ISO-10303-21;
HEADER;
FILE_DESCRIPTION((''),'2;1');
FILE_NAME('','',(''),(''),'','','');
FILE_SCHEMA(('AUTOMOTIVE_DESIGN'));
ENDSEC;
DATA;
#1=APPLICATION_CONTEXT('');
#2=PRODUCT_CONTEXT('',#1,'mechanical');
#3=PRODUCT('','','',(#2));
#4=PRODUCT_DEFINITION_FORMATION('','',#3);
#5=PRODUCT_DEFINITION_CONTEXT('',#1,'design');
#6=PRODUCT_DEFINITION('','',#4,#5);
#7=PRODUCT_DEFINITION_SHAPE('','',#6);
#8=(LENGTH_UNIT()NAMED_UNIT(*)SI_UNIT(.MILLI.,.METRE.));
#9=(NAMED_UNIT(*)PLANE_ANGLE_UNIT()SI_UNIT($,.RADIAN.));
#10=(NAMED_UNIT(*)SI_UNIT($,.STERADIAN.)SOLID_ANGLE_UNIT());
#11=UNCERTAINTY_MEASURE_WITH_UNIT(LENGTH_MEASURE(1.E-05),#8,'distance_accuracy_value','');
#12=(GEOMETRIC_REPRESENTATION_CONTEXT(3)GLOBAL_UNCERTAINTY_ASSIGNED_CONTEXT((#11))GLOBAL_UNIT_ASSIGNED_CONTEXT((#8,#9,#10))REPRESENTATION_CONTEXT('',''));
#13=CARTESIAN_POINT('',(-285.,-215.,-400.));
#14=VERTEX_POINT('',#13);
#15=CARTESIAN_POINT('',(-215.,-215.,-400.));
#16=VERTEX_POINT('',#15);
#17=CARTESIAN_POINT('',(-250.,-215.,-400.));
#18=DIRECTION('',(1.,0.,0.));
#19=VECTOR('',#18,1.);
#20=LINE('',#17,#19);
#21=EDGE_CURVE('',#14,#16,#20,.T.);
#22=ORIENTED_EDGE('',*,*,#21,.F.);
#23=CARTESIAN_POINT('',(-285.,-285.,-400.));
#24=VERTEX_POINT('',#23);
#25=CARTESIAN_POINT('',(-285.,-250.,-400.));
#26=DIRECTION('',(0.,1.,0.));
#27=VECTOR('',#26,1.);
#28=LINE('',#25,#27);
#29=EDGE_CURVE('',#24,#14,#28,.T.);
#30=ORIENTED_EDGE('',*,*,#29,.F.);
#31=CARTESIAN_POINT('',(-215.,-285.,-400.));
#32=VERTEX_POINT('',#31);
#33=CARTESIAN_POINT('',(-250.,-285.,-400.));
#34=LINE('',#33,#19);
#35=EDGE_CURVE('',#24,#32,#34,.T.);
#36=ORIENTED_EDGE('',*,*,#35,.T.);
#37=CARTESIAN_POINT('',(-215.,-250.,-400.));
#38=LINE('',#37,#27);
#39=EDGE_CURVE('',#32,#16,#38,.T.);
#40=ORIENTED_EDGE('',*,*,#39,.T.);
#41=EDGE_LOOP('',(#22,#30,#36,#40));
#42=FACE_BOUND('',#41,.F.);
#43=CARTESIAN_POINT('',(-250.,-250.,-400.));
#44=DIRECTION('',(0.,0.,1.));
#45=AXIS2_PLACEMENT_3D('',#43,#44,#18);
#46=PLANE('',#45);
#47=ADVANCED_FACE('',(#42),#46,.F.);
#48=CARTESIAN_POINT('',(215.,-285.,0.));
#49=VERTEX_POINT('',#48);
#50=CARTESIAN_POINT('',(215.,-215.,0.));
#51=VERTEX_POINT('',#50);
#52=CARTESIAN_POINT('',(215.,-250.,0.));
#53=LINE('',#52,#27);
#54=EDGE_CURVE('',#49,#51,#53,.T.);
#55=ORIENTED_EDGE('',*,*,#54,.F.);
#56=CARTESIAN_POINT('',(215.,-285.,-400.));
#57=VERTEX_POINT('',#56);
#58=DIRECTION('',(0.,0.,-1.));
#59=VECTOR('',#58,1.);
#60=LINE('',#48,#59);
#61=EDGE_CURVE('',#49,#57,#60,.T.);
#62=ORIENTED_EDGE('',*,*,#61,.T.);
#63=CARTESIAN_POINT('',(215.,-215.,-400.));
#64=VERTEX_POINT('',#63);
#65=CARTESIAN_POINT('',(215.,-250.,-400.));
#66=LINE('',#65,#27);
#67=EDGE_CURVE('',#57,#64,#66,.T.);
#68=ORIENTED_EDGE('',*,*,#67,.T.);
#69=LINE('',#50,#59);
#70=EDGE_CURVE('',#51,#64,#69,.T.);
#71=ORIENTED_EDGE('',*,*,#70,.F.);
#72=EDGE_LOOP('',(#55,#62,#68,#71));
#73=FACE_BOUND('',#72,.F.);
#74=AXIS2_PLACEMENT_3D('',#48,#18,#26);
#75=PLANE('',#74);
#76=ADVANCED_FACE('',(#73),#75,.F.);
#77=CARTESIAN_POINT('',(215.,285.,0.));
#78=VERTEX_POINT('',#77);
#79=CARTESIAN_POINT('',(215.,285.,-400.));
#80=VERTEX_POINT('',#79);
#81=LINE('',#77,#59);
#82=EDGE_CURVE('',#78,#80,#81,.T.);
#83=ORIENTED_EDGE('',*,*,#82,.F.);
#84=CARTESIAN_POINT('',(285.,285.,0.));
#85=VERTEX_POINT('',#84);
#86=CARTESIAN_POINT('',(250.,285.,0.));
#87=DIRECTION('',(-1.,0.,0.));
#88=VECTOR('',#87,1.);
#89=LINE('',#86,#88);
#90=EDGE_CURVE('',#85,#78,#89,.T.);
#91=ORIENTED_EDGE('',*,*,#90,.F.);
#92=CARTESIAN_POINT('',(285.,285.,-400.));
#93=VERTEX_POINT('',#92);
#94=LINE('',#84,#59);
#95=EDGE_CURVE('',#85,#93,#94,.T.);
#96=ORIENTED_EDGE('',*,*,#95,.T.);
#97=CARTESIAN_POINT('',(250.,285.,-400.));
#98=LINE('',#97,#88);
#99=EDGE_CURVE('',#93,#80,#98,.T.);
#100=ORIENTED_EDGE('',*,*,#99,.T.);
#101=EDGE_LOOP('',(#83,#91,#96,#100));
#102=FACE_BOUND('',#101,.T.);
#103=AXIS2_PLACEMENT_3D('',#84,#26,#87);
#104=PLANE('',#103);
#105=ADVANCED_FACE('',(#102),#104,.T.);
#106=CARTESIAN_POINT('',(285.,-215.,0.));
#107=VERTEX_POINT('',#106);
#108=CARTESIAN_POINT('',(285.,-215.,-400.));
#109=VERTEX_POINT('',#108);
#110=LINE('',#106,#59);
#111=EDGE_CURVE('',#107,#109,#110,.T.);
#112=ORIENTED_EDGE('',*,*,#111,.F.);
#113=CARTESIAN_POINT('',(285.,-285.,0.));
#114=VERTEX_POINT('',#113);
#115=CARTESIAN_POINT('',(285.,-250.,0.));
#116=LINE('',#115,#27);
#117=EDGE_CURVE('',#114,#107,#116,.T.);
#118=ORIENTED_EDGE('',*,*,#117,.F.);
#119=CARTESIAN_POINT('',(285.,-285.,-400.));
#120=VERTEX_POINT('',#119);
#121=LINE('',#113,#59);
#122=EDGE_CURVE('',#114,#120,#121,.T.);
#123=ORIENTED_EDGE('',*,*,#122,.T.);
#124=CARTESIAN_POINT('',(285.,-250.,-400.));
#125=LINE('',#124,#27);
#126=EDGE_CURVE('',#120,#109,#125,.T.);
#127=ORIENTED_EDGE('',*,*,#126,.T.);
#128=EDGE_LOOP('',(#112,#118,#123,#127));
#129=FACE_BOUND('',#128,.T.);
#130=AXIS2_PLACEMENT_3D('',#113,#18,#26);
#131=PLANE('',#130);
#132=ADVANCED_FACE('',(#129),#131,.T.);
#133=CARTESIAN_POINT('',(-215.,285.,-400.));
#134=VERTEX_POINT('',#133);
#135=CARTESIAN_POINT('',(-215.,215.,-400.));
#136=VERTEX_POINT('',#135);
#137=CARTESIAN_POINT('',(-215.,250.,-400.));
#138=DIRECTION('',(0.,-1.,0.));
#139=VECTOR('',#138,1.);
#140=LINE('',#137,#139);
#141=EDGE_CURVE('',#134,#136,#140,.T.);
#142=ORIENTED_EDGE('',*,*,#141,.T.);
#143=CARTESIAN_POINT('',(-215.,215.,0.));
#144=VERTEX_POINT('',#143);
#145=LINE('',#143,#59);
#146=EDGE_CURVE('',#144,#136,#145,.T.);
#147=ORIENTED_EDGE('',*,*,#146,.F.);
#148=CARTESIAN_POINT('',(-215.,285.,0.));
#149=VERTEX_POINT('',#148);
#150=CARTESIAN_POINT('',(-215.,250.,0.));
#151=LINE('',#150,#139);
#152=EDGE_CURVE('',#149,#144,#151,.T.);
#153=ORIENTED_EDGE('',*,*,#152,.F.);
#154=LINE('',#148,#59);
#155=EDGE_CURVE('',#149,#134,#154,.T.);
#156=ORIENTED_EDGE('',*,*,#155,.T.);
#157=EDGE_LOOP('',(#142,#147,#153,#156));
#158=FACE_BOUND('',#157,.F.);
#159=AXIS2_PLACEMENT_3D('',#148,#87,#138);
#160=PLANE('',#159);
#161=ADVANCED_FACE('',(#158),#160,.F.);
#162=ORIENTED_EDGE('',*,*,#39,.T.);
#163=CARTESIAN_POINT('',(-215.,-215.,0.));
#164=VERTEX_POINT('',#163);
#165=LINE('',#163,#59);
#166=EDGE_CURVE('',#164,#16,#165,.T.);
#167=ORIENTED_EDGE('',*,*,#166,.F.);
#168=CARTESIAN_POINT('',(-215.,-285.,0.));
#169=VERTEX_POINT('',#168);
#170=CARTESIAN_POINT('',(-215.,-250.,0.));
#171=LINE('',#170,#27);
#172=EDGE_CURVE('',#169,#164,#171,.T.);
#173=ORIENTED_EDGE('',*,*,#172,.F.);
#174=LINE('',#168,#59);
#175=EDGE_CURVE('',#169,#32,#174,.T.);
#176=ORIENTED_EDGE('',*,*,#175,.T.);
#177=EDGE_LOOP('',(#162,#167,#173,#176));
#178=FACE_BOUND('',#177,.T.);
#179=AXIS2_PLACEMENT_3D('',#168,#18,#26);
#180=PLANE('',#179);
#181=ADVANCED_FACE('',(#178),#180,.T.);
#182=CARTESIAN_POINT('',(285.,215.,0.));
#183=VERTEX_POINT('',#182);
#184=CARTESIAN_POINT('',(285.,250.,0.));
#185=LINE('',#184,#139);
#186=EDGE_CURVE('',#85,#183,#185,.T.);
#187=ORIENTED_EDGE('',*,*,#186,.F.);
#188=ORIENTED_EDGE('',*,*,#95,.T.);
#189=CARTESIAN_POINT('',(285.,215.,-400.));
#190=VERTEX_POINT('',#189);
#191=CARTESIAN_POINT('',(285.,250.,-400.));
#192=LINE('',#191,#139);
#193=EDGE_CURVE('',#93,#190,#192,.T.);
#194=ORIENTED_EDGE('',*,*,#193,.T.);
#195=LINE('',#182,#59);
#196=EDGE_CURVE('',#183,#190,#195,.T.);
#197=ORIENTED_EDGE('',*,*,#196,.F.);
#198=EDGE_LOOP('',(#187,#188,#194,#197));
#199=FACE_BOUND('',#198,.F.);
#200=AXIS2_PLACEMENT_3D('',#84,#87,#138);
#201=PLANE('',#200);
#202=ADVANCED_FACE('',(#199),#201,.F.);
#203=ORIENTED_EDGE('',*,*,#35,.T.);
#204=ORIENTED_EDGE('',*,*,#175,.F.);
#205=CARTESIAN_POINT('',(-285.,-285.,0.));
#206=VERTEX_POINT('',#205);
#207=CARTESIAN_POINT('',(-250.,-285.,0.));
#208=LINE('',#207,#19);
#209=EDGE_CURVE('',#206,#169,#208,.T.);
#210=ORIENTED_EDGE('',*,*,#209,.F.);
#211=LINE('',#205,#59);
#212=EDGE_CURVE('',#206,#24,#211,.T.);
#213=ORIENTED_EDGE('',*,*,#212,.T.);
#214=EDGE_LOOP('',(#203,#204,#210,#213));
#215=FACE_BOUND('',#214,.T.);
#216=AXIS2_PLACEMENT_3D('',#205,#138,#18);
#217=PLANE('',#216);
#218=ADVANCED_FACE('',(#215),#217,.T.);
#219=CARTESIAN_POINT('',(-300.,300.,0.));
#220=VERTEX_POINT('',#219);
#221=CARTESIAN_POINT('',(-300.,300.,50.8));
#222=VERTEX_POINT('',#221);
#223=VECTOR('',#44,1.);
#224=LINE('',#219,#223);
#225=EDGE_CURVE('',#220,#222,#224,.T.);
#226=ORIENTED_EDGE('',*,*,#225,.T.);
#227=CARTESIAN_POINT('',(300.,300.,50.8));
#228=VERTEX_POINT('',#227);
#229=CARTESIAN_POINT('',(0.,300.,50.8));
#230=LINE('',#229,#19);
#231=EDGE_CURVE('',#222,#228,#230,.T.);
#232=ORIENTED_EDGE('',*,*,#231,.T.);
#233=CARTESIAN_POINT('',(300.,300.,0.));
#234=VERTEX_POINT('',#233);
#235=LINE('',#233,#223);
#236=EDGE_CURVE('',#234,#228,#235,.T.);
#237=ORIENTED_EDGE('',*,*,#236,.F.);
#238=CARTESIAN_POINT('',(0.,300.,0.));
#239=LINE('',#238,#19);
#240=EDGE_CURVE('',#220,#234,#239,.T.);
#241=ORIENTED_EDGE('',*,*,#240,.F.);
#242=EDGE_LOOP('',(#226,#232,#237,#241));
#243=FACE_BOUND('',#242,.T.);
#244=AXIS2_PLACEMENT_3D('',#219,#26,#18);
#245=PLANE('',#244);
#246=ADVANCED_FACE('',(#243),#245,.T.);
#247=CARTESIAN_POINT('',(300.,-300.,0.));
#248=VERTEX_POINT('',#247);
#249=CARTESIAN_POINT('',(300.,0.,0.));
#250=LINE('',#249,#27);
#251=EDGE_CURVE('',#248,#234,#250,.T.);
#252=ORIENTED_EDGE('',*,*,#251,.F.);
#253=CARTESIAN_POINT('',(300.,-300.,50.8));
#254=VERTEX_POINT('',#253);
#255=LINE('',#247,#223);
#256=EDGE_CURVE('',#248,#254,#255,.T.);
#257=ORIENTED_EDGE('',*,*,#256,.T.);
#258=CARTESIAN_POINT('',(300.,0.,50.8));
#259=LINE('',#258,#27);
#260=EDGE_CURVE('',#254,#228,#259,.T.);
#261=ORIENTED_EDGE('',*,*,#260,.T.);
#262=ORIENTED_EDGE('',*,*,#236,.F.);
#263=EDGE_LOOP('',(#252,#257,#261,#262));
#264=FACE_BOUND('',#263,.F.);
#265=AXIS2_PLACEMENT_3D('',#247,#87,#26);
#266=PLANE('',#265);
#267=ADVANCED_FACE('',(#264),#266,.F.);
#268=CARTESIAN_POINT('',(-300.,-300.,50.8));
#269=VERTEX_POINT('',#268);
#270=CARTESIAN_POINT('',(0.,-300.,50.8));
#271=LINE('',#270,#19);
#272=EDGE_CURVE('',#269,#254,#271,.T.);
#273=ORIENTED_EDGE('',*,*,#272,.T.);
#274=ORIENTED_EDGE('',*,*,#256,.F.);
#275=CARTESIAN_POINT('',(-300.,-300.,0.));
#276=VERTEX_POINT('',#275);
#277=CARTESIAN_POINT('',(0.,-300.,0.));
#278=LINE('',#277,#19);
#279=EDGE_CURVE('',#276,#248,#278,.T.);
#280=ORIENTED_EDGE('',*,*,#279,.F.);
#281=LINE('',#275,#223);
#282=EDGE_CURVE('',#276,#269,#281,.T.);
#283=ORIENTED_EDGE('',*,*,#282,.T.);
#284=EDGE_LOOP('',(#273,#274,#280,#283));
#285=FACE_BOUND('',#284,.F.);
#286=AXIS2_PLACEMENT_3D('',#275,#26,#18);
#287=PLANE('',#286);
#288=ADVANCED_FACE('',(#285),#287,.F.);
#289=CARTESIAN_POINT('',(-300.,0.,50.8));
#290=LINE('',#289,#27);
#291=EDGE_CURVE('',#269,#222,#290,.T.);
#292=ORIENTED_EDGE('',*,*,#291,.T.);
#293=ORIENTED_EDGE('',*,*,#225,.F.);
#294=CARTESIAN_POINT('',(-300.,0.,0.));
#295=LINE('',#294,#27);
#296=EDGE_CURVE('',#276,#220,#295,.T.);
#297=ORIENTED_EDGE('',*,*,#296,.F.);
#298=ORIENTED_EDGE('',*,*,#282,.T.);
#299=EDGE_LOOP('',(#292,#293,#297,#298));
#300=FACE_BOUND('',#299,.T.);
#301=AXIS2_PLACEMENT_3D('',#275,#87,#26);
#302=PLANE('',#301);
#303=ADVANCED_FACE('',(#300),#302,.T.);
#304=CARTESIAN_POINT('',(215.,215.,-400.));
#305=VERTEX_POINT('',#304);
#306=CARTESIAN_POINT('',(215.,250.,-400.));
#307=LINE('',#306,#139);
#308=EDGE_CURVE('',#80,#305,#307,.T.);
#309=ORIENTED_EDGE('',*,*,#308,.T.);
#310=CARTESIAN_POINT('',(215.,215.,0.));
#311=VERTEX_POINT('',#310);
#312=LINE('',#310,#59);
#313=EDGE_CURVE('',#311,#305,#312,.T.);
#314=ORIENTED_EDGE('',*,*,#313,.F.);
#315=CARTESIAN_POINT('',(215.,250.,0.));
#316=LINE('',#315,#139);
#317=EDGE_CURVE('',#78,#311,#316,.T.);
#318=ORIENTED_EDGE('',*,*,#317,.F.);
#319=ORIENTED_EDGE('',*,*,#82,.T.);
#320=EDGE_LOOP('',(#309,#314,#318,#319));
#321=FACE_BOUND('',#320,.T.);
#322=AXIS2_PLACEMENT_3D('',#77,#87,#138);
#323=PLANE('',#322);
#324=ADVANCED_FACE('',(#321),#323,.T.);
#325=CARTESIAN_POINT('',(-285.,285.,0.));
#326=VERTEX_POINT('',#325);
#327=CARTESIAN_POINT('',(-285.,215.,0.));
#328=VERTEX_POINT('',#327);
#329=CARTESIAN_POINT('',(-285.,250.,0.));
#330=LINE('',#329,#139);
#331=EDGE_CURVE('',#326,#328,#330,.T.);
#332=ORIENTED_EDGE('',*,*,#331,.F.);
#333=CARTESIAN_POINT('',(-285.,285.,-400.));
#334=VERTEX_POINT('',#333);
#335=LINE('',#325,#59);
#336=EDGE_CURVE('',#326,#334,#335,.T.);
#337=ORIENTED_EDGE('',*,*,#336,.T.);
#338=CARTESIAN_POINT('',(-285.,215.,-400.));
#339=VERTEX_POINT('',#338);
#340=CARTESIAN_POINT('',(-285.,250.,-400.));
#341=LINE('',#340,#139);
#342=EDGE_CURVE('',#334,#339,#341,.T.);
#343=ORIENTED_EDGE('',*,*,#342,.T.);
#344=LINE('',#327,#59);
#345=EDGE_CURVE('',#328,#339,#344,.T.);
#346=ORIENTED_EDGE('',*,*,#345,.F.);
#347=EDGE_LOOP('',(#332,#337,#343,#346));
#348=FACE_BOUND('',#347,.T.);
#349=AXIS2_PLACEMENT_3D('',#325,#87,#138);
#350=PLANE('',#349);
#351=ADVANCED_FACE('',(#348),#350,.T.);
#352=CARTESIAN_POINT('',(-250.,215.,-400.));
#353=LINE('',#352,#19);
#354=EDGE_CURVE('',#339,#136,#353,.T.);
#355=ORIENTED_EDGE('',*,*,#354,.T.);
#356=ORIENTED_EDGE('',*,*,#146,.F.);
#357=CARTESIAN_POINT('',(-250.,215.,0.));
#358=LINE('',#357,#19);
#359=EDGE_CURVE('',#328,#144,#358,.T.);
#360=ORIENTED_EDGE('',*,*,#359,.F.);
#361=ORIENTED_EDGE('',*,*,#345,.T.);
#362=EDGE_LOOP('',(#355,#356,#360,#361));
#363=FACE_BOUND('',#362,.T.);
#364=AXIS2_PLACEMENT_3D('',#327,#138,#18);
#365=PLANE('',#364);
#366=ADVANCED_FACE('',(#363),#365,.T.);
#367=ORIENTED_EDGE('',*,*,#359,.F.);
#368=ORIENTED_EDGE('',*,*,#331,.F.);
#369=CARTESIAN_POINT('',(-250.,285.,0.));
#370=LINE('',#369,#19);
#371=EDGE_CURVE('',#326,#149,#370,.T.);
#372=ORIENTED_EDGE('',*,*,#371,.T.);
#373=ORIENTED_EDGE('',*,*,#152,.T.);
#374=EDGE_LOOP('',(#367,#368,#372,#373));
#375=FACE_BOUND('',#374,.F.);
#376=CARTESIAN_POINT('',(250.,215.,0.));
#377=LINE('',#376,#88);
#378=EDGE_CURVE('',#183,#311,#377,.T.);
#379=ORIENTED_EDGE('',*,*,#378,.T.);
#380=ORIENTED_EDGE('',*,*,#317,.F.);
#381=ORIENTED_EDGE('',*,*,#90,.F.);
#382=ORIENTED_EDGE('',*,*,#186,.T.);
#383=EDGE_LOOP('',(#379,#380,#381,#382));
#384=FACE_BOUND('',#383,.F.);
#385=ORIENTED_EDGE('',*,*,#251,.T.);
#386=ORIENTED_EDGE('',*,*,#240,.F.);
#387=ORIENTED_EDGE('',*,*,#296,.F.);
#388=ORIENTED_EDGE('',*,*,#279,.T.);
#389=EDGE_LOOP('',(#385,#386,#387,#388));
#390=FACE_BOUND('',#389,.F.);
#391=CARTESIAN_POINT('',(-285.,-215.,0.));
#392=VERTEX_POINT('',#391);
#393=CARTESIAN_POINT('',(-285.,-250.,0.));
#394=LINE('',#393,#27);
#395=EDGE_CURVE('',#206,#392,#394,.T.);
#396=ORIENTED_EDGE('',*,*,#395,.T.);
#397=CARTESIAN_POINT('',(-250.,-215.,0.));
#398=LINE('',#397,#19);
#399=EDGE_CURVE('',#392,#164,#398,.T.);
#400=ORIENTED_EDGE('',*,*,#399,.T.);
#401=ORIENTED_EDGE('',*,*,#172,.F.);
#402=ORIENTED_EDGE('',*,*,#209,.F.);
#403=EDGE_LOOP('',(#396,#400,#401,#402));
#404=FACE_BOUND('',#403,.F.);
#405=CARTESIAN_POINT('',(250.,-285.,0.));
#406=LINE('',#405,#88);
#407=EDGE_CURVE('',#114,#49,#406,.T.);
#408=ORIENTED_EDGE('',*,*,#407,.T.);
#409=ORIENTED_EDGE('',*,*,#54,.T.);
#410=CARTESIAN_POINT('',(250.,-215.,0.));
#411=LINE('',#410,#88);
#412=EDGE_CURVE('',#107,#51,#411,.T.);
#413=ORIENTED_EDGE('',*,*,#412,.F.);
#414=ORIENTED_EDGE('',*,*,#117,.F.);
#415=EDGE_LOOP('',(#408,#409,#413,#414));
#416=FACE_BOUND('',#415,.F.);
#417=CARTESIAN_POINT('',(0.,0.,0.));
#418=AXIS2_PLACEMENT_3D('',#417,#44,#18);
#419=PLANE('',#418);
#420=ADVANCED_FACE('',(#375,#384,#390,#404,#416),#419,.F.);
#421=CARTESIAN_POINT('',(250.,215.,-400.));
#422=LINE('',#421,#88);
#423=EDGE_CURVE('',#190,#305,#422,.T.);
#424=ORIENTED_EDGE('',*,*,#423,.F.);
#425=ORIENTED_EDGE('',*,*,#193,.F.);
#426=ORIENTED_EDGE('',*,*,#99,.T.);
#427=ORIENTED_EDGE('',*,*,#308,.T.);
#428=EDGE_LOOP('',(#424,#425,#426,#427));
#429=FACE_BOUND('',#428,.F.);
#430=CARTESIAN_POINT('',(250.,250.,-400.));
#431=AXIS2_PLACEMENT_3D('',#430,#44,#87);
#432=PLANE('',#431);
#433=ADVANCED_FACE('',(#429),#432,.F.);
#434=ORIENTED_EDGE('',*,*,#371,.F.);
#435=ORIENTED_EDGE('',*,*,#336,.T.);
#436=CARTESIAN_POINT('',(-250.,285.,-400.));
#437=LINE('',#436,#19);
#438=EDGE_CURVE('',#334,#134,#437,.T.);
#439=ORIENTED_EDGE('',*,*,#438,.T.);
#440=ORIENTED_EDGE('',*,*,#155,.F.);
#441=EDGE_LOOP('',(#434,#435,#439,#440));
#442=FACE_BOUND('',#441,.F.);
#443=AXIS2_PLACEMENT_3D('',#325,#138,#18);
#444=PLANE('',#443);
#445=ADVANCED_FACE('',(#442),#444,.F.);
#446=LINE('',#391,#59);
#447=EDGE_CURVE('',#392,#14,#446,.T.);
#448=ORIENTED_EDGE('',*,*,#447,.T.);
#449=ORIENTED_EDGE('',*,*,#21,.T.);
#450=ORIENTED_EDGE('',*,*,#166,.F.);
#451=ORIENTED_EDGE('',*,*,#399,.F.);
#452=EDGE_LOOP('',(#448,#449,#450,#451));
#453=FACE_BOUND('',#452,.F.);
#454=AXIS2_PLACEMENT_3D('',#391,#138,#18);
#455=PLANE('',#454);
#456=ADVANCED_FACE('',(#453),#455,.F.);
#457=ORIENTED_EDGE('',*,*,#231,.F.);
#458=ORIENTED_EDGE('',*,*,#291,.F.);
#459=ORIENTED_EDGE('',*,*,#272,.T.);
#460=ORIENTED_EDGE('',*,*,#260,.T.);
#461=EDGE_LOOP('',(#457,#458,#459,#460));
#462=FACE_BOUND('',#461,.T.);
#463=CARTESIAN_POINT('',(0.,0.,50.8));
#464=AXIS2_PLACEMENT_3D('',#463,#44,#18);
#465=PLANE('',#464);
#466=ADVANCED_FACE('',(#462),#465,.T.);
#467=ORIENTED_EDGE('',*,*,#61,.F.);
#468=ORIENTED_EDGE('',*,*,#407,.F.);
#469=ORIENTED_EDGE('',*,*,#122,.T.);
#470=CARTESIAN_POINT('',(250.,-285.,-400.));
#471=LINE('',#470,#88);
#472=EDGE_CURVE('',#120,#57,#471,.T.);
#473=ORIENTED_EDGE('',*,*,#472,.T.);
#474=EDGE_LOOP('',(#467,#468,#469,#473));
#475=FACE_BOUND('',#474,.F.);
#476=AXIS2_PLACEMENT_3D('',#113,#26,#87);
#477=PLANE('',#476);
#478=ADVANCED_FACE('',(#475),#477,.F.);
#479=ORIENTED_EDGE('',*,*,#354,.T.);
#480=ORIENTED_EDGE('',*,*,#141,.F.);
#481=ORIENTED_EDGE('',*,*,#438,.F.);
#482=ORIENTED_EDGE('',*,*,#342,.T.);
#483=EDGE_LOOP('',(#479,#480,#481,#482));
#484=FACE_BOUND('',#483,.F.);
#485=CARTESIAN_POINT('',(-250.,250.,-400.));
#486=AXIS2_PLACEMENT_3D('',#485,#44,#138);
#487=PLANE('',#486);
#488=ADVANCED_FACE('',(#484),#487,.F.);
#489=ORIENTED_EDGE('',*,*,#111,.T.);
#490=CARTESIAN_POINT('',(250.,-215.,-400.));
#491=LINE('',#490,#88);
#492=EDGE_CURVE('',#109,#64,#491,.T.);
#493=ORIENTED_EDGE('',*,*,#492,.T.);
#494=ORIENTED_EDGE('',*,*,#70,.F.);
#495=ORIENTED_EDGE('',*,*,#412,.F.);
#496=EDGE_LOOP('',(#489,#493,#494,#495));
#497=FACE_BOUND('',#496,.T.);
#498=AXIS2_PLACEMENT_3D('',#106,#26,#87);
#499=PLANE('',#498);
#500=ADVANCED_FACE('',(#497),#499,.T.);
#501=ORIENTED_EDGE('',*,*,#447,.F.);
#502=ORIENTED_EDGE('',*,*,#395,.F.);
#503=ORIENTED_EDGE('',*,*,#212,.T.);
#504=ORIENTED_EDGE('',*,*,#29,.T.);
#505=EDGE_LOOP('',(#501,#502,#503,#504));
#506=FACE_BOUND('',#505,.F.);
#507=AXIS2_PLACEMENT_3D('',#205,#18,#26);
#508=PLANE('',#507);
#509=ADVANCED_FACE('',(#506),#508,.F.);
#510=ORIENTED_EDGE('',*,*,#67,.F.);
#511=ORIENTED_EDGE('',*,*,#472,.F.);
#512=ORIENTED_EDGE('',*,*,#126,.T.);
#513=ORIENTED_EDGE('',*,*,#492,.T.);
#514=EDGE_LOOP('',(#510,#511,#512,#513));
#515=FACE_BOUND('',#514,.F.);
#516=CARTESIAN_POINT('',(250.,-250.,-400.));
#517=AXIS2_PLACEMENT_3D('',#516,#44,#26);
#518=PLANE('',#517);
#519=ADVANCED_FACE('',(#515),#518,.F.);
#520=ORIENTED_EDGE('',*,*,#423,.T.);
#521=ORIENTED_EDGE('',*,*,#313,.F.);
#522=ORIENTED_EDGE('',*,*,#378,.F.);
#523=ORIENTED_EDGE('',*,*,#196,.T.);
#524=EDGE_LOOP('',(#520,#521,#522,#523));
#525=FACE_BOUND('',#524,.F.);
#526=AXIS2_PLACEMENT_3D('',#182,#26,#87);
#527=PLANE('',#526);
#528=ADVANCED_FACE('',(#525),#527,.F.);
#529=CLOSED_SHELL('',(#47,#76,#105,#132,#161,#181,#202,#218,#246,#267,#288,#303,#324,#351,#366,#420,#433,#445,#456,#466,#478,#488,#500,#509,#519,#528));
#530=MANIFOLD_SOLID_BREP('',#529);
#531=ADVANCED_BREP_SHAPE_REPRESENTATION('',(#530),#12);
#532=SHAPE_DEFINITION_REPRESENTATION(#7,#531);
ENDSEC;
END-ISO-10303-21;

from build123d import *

# Parameters (mm, degrees)
F0_W     = 600
F0_H     = 600
F1_DEPTH = 50.8
F3_W     = 70
F3_H     = 70
F4_DEPTH = 400
F5_COUNT = 4


with BuildPart() as f1:
    # F0 (on Top) → F1 (new body)
    with BuildSketch(Plane.XY):
        Rectangle(F0_W, F0_H)
    extrude(amount=F1_DEPTH)

    # F3 (on Top) → F4 (join)
    with BuildSketch(Plane.XY):
        with Locations((-250, -250)):
            Rectangle(F3_W, F3_H)
    extrude(amount=-F4_DEPTH)

    # F5: F1 ×4 about axis
    f5_axis = Axis((0, 0, -387.7218663692), (0, 0, 1))


with BuildPart() as f1_1:
    add(f1.part)
    for i in range(1, F5_COUNT):
        add(f1.part.rotate(f5_axis, i * 360 / F5_COUNT))


solid = f1_1.part
